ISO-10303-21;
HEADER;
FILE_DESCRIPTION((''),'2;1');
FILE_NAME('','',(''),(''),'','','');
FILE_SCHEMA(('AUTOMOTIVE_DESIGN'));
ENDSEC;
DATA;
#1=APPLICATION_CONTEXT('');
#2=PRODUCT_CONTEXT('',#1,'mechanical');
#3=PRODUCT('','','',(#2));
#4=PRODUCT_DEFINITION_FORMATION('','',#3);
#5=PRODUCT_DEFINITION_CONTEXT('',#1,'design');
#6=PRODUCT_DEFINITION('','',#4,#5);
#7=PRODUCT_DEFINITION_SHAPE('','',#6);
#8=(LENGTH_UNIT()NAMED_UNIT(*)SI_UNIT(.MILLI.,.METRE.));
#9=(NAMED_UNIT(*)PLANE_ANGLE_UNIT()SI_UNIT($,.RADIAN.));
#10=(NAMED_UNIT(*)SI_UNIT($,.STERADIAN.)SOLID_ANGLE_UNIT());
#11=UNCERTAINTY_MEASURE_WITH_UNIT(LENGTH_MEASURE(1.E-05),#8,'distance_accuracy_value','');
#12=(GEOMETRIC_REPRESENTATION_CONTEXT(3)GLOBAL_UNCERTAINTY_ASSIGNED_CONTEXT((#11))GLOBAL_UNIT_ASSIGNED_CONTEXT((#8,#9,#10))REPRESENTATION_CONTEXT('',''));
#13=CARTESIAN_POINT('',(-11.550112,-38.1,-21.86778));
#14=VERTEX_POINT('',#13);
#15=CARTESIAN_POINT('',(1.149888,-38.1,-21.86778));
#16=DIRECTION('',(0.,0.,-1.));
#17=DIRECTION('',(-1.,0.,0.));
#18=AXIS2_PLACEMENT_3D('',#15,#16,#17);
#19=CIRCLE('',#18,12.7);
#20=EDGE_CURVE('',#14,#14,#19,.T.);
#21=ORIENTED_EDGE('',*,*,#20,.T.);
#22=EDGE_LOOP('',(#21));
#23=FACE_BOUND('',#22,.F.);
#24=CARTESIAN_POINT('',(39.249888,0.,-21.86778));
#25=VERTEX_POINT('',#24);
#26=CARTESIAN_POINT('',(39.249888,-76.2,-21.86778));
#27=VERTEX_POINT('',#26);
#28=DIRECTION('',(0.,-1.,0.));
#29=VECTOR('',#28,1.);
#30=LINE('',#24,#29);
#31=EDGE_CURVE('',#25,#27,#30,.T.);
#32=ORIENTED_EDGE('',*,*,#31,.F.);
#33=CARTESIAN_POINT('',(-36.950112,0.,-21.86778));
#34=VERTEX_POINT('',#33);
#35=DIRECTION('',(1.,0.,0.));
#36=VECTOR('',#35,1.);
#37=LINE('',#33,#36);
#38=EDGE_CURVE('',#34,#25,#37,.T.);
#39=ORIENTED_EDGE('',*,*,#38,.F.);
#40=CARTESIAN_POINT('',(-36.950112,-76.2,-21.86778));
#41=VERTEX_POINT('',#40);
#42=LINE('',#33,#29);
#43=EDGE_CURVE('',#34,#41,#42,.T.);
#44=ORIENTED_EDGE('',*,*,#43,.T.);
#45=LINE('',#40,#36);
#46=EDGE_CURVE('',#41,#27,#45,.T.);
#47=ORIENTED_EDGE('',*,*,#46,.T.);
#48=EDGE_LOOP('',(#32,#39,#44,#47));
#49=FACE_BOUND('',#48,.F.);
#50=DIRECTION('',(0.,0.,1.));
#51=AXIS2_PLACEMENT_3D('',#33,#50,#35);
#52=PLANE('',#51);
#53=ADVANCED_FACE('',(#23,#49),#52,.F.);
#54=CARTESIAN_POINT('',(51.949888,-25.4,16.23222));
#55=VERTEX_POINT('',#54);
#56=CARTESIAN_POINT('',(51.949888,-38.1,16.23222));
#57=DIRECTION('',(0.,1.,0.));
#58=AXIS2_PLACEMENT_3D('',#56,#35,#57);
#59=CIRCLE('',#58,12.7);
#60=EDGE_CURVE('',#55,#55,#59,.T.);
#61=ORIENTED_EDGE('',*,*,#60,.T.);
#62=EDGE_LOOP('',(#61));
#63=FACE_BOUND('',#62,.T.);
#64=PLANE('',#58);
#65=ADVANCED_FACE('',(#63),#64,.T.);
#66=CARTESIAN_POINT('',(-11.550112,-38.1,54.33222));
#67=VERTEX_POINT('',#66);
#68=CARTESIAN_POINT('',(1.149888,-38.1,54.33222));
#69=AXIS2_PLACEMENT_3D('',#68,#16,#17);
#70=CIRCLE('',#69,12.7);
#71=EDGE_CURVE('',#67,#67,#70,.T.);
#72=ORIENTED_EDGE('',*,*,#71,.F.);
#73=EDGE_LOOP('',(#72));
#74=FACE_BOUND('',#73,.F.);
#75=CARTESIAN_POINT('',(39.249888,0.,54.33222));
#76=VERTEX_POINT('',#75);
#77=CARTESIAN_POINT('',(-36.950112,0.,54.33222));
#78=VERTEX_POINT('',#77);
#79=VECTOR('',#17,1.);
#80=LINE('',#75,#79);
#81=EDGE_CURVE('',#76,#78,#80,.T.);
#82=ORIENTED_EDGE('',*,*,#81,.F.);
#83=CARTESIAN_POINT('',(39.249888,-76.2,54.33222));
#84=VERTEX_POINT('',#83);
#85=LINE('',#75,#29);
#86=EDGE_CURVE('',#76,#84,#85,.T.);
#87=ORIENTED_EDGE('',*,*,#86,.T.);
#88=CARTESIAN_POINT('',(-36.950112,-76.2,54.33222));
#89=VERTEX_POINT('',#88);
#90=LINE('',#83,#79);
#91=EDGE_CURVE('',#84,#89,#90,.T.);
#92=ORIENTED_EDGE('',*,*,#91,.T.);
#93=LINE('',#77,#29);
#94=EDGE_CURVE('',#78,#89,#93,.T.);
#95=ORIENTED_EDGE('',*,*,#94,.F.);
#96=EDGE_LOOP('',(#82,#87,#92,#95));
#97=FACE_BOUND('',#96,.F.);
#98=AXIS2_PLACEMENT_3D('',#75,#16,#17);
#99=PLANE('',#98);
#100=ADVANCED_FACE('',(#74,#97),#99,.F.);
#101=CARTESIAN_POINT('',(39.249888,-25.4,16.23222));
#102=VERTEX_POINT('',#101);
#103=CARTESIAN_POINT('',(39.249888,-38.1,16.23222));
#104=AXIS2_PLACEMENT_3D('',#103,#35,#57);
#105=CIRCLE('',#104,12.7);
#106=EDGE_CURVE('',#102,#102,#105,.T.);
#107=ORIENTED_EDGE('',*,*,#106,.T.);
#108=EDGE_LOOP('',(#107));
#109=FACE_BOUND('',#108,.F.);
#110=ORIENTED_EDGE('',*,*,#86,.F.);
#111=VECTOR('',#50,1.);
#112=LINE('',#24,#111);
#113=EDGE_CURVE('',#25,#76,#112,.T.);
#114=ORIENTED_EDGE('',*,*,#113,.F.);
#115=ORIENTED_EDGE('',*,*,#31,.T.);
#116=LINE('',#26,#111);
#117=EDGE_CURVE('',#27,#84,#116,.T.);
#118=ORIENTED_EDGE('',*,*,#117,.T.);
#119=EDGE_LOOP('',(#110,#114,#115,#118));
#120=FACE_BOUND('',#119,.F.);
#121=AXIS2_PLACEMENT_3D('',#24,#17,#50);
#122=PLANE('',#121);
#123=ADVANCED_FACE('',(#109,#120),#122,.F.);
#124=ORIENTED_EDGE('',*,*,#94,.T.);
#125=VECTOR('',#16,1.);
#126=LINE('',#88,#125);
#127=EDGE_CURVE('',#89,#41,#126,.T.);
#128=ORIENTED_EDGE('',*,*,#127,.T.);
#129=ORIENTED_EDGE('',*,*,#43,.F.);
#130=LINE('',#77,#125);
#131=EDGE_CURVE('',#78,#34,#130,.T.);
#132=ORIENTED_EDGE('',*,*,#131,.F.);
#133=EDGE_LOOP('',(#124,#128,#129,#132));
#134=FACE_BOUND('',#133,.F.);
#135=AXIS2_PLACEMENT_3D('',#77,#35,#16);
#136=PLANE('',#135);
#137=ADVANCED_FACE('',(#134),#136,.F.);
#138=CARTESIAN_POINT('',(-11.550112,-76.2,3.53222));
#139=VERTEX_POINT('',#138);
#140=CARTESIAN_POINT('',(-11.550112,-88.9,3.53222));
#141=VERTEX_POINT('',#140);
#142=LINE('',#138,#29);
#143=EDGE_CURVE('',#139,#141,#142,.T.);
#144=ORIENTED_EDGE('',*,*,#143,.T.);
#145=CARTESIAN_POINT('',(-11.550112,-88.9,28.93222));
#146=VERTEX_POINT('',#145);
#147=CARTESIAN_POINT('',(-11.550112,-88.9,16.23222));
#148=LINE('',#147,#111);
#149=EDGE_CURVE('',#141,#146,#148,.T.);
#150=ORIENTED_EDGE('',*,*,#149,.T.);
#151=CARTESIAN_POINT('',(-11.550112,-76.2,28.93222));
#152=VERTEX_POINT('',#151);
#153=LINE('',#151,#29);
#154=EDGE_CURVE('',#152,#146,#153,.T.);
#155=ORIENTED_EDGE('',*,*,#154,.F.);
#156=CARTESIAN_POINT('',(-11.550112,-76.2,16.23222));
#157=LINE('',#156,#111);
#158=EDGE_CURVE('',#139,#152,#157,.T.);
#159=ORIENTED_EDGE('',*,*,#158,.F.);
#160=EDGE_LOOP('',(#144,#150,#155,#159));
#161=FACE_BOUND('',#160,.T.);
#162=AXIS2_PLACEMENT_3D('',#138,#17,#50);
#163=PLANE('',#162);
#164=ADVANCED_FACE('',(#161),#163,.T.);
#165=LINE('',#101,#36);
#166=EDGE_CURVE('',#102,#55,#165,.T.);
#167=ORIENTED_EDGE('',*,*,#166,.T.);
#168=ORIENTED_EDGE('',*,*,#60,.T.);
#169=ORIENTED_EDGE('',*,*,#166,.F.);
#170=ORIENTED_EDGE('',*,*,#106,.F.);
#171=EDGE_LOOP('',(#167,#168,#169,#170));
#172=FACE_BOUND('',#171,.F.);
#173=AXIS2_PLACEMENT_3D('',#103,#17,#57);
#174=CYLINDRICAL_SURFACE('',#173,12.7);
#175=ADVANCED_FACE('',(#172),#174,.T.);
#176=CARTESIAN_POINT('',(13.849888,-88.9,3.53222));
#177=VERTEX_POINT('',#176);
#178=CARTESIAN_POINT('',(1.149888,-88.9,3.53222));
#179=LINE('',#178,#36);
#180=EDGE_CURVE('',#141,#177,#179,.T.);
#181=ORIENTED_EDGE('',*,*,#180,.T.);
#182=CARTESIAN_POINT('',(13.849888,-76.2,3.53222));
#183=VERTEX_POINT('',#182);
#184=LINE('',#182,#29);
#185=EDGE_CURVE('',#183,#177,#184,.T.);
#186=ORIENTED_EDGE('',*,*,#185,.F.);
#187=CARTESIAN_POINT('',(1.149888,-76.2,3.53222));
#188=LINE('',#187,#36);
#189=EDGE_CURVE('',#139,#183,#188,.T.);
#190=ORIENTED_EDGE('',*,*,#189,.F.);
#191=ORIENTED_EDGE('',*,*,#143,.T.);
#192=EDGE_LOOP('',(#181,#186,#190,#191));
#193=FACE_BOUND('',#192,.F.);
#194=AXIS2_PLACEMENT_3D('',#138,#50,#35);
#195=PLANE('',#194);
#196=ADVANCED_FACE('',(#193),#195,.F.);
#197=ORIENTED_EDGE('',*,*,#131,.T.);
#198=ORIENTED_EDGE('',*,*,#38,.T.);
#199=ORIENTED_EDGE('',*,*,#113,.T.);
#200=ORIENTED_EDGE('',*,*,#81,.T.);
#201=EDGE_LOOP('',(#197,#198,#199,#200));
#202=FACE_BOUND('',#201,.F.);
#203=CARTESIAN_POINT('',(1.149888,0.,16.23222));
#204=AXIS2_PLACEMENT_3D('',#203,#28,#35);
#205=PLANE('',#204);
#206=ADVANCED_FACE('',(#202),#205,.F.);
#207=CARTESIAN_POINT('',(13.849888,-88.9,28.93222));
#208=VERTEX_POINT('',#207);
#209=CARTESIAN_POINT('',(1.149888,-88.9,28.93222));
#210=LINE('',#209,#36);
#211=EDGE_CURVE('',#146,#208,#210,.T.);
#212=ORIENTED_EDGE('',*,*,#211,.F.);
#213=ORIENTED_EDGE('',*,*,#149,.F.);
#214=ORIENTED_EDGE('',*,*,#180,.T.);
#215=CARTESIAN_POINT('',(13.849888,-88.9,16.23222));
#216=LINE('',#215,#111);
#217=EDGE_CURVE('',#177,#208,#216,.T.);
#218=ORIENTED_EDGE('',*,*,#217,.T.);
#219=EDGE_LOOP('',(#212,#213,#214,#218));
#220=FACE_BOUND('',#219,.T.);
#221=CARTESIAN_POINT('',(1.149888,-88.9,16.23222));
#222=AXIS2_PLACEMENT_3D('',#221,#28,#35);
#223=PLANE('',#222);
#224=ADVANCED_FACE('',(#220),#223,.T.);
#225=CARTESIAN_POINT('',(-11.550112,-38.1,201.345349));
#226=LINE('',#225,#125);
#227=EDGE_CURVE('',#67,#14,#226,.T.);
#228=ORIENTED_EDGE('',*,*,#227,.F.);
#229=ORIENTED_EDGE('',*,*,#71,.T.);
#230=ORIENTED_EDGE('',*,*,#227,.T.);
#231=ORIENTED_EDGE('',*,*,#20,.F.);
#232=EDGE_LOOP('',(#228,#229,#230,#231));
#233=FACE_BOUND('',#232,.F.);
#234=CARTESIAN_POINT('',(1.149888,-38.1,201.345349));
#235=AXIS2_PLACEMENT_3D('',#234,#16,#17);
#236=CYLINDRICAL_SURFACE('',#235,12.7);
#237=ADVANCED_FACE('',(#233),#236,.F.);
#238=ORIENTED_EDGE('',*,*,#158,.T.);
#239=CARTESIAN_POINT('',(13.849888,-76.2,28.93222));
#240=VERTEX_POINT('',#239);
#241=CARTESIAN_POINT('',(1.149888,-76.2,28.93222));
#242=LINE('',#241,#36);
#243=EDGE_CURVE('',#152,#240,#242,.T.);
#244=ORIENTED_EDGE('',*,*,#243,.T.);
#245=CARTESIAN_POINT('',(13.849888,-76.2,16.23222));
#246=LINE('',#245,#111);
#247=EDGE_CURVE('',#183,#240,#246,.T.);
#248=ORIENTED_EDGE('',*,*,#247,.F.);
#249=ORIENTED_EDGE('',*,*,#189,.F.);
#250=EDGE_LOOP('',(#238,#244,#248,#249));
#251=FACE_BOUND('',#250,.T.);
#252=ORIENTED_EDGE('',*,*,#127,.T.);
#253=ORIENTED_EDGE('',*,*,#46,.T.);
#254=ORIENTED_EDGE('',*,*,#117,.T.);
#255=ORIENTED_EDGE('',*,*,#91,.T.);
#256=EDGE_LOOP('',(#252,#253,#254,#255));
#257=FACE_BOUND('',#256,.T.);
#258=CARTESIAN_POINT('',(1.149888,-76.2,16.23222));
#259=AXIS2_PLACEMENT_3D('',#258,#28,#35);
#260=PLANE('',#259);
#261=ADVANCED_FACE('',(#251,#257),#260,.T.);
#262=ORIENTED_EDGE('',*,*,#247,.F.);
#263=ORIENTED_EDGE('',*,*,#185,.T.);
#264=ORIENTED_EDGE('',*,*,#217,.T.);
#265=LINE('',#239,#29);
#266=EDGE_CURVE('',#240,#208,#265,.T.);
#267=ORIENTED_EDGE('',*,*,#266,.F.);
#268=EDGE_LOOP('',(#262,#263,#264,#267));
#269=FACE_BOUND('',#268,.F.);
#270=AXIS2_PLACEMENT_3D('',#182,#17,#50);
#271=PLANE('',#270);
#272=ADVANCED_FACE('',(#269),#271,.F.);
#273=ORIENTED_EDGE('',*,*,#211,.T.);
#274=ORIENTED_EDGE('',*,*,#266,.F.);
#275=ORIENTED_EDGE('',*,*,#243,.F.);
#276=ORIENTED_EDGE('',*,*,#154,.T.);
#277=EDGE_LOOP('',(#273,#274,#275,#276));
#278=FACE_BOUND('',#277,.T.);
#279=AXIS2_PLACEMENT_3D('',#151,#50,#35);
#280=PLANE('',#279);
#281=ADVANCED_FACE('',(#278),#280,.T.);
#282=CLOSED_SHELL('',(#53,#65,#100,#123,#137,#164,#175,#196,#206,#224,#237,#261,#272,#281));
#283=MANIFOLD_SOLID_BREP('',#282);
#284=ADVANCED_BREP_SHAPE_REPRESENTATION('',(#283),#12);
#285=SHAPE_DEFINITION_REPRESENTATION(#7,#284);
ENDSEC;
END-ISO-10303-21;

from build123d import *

# Parameters (mm, degrees)
F1_DEPTH = 76.2
F2_W     = 25.4
F2_H     = 25.4
F3_DEPTH = 12.7
F4_R     = 12.7
F5_DEPTH = 12.7
F7_D     = 25.4


with BuildPart() as f1:
    # F0 (on Front) → F1 (new body)
    with BuildSketch(Plane.XZ):
        Polygon((39.249888, 54.33222), (-36.950112, 54.33222), (-36.950112, -21.86778), (39.249888, -21.86778), (39.249888, -18.334419), align=None)
    extrude(amount=F1_DEPTH)

    # F2 (on face) → F3 (join)
    with BuildSketch(Plane.XZ.offset(76.2)):
        with Locations((1.149888, 16.23222)):
            Rectangle(F2_W, F2_H)
    extrude(amount=F3_DEPTH)

    # F4 (on face) → F5 (join)
    with BuildSketch(Plane.YZ.offset(39.249888)):
        with Locations((-38.1, 16.23222)):
            Circle(F4_R)
    extrude(amount=F5_DEPTH)

    # F7 (through all)
    with Locations(Plane.XY.offset(54.33222)):
        with Locations((1.149888, -38.1)):
            Hole(F7_D / 2)


solid = f1.part
